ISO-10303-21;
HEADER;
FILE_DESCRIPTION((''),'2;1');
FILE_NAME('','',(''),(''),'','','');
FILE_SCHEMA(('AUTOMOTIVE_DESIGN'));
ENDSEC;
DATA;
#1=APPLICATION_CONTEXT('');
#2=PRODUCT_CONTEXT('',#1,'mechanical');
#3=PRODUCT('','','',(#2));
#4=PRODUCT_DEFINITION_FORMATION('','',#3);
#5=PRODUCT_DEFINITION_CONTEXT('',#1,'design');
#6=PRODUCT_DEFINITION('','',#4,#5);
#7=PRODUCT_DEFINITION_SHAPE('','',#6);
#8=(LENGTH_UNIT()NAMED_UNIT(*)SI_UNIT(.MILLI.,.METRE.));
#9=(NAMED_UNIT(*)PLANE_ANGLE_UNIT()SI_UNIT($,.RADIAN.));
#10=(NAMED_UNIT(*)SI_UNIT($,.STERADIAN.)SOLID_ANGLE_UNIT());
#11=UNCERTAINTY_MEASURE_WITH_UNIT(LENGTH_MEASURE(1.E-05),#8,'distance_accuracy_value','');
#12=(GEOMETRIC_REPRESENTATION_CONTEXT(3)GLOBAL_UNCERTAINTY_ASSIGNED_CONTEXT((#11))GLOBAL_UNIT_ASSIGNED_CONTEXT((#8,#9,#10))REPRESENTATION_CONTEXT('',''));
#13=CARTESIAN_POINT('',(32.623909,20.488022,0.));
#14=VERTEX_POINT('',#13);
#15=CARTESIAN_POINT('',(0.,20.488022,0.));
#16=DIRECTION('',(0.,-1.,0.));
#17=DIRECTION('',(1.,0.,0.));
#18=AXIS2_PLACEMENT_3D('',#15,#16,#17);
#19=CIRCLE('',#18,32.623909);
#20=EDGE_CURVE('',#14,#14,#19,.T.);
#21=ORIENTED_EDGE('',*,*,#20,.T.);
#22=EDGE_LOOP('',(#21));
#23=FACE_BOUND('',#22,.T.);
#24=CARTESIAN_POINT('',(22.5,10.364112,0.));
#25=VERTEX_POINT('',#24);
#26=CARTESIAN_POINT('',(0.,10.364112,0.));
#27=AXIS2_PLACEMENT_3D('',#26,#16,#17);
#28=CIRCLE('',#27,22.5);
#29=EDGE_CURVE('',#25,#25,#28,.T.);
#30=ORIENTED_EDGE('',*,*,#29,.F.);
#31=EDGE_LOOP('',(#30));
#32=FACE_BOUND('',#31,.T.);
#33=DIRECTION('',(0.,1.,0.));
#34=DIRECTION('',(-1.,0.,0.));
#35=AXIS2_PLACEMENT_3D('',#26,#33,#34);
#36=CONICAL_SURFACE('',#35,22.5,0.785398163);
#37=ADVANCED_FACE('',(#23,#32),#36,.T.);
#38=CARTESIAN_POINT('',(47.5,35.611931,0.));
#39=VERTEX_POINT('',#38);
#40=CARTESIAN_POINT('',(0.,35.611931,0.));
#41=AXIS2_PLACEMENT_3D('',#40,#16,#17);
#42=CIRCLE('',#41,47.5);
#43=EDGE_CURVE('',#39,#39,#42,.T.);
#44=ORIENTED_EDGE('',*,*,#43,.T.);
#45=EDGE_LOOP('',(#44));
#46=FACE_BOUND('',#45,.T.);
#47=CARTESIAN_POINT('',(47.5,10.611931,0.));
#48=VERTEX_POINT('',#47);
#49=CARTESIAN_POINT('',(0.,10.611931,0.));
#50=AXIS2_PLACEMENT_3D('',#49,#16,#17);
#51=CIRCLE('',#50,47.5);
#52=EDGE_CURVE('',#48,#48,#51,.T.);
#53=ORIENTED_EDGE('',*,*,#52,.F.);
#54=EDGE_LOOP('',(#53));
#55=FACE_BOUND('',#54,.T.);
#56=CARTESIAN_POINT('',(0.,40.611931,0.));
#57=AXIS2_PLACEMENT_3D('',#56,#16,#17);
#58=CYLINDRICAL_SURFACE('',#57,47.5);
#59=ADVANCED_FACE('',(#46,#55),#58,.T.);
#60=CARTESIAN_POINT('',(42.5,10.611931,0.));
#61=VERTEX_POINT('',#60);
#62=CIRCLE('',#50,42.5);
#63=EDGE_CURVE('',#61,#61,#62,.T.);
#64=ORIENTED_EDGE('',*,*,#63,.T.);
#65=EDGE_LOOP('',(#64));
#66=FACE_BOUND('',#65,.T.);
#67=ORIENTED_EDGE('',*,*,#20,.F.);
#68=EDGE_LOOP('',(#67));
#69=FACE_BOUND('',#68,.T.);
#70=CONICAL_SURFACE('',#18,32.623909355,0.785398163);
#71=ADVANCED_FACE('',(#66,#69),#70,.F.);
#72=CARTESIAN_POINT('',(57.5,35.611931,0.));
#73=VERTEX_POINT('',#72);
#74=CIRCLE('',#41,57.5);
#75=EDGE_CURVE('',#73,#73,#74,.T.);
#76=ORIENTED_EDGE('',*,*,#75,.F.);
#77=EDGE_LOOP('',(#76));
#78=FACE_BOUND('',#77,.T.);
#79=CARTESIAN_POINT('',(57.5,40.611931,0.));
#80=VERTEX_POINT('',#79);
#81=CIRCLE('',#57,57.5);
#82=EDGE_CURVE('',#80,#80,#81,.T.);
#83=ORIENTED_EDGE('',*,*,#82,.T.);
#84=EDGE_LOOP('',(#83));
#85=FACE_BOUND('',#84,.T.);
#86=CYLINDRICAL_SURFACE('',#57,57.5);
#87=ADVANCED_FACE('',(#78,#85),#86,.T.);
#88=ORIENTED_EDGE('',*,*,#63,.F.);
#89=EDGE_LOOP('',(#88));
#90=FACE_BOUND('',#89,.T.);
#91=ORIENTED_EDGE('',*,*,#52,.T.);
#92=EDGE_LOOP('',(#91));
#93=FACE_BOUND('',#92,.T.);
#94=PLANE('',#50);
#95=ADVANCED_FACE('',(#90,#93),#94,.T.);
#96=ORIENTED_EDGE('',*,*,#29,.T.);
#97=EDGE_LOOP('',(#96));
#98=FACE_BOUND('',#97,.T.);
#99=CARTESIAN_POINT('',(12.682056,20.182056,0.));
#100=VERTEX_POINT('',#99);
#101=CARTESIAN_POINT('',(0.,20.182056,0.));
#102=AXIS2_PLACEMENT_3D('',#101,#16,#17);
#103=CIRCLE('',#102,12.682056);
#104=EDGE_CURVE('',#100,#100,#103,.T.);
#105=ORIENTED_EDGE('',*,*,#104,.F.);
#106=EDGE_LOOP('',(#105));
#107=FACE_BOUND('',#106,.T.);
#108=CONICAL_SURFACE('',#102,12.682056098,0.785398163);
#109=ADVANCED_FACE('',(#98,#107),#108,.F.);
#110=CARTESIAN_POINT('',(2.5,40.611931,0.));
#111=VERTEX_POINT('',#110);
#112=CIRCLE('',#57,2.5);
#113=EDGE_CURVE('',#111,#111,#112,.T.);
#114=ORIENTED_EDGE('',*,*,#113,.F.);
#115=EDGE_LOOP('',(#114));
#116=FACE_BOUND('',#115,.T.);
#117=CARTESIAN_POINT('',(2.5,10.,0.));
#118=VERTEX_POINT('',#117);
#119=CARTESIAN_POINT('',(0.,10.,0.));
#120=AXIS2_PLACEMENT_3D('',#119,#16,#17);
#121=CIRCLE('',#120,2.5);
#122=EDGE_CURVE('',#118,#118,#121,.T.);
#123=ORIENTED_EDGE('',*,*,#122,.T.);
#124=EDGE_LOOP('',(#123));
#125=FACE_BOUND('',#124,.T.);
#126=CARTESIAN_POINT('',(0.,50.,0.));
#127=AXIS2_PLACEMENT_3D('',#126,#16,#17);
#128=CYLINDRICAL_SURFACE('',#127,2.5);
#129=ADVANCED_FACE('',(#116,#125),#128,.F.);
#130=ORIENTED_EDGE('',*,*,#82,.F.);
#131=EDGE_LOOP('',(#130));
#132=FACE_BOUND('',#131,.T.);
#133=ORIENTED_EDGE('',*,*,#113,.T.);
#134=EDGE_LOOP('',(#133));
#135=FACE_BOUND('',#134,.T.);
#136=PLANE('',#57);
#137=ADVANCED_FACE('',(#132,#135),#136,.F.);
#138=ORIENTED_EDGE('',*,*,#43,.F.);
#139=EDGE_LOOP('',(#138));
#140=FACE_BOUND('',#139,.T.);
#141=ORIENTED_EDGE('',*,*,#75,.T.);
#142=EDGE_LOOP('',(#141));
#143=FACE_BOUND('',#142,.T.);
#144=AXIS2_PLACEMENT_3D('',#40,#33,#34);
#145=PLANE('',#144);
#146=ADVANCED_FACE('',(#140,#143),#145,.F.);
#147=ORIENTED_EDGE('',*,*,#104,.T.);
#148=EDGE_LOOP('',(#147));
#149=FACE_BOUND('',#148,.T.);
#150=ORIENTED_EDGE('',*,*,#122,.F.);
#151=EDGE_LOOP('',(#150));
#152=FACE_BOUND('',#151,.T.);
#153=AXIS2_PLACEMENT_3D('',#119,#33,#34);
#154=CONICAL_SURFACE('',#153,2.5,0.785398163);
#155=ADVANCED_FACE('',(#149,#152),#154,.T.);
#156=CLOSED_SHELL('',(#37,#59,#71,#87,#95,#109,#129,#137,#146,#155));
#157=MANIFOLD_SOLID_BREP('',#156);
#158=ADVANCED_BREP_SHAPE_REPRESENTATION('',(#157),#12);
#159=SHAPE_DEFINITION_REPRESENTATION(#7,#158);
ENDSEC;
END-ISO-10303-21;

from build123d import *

# Parameters (mm, degrees)
SKETCH2_R          = 2.5
CUT_EXTRUDE1_DEPTH = 40


with BuildPart() as part:
    # Sketch1 → Revolve1 (revolve)
    with BuildSketch(Plane.XY):
        Polygon((0, 10), (-2.5, 10), (-12.682056098, 20.182056098), (-22.5, 10.364112197), (-32.623909355, 20.488021552), (-42.5, 10.611930908), (-47.5, 10.611930908), (-47.5, 35.611930908), (-57.5, 35.611930908), (-57.5, 40.611930908), (0, 40.611930908), align=None)
    revolve(axis=Axis((0, 40.611930908, 0), (0, 1, 0)))

    # Sketch2 → Cut-Extrude1 (cut)
    with BuildSketch(Plane.XZ.offset(-10)):
        Circle(SKETCH2_R)
    extrude(amount=-CUT_EXTRUDE1_DEPTH, mode=Mode.SUBTRACT)


solid = part.part
